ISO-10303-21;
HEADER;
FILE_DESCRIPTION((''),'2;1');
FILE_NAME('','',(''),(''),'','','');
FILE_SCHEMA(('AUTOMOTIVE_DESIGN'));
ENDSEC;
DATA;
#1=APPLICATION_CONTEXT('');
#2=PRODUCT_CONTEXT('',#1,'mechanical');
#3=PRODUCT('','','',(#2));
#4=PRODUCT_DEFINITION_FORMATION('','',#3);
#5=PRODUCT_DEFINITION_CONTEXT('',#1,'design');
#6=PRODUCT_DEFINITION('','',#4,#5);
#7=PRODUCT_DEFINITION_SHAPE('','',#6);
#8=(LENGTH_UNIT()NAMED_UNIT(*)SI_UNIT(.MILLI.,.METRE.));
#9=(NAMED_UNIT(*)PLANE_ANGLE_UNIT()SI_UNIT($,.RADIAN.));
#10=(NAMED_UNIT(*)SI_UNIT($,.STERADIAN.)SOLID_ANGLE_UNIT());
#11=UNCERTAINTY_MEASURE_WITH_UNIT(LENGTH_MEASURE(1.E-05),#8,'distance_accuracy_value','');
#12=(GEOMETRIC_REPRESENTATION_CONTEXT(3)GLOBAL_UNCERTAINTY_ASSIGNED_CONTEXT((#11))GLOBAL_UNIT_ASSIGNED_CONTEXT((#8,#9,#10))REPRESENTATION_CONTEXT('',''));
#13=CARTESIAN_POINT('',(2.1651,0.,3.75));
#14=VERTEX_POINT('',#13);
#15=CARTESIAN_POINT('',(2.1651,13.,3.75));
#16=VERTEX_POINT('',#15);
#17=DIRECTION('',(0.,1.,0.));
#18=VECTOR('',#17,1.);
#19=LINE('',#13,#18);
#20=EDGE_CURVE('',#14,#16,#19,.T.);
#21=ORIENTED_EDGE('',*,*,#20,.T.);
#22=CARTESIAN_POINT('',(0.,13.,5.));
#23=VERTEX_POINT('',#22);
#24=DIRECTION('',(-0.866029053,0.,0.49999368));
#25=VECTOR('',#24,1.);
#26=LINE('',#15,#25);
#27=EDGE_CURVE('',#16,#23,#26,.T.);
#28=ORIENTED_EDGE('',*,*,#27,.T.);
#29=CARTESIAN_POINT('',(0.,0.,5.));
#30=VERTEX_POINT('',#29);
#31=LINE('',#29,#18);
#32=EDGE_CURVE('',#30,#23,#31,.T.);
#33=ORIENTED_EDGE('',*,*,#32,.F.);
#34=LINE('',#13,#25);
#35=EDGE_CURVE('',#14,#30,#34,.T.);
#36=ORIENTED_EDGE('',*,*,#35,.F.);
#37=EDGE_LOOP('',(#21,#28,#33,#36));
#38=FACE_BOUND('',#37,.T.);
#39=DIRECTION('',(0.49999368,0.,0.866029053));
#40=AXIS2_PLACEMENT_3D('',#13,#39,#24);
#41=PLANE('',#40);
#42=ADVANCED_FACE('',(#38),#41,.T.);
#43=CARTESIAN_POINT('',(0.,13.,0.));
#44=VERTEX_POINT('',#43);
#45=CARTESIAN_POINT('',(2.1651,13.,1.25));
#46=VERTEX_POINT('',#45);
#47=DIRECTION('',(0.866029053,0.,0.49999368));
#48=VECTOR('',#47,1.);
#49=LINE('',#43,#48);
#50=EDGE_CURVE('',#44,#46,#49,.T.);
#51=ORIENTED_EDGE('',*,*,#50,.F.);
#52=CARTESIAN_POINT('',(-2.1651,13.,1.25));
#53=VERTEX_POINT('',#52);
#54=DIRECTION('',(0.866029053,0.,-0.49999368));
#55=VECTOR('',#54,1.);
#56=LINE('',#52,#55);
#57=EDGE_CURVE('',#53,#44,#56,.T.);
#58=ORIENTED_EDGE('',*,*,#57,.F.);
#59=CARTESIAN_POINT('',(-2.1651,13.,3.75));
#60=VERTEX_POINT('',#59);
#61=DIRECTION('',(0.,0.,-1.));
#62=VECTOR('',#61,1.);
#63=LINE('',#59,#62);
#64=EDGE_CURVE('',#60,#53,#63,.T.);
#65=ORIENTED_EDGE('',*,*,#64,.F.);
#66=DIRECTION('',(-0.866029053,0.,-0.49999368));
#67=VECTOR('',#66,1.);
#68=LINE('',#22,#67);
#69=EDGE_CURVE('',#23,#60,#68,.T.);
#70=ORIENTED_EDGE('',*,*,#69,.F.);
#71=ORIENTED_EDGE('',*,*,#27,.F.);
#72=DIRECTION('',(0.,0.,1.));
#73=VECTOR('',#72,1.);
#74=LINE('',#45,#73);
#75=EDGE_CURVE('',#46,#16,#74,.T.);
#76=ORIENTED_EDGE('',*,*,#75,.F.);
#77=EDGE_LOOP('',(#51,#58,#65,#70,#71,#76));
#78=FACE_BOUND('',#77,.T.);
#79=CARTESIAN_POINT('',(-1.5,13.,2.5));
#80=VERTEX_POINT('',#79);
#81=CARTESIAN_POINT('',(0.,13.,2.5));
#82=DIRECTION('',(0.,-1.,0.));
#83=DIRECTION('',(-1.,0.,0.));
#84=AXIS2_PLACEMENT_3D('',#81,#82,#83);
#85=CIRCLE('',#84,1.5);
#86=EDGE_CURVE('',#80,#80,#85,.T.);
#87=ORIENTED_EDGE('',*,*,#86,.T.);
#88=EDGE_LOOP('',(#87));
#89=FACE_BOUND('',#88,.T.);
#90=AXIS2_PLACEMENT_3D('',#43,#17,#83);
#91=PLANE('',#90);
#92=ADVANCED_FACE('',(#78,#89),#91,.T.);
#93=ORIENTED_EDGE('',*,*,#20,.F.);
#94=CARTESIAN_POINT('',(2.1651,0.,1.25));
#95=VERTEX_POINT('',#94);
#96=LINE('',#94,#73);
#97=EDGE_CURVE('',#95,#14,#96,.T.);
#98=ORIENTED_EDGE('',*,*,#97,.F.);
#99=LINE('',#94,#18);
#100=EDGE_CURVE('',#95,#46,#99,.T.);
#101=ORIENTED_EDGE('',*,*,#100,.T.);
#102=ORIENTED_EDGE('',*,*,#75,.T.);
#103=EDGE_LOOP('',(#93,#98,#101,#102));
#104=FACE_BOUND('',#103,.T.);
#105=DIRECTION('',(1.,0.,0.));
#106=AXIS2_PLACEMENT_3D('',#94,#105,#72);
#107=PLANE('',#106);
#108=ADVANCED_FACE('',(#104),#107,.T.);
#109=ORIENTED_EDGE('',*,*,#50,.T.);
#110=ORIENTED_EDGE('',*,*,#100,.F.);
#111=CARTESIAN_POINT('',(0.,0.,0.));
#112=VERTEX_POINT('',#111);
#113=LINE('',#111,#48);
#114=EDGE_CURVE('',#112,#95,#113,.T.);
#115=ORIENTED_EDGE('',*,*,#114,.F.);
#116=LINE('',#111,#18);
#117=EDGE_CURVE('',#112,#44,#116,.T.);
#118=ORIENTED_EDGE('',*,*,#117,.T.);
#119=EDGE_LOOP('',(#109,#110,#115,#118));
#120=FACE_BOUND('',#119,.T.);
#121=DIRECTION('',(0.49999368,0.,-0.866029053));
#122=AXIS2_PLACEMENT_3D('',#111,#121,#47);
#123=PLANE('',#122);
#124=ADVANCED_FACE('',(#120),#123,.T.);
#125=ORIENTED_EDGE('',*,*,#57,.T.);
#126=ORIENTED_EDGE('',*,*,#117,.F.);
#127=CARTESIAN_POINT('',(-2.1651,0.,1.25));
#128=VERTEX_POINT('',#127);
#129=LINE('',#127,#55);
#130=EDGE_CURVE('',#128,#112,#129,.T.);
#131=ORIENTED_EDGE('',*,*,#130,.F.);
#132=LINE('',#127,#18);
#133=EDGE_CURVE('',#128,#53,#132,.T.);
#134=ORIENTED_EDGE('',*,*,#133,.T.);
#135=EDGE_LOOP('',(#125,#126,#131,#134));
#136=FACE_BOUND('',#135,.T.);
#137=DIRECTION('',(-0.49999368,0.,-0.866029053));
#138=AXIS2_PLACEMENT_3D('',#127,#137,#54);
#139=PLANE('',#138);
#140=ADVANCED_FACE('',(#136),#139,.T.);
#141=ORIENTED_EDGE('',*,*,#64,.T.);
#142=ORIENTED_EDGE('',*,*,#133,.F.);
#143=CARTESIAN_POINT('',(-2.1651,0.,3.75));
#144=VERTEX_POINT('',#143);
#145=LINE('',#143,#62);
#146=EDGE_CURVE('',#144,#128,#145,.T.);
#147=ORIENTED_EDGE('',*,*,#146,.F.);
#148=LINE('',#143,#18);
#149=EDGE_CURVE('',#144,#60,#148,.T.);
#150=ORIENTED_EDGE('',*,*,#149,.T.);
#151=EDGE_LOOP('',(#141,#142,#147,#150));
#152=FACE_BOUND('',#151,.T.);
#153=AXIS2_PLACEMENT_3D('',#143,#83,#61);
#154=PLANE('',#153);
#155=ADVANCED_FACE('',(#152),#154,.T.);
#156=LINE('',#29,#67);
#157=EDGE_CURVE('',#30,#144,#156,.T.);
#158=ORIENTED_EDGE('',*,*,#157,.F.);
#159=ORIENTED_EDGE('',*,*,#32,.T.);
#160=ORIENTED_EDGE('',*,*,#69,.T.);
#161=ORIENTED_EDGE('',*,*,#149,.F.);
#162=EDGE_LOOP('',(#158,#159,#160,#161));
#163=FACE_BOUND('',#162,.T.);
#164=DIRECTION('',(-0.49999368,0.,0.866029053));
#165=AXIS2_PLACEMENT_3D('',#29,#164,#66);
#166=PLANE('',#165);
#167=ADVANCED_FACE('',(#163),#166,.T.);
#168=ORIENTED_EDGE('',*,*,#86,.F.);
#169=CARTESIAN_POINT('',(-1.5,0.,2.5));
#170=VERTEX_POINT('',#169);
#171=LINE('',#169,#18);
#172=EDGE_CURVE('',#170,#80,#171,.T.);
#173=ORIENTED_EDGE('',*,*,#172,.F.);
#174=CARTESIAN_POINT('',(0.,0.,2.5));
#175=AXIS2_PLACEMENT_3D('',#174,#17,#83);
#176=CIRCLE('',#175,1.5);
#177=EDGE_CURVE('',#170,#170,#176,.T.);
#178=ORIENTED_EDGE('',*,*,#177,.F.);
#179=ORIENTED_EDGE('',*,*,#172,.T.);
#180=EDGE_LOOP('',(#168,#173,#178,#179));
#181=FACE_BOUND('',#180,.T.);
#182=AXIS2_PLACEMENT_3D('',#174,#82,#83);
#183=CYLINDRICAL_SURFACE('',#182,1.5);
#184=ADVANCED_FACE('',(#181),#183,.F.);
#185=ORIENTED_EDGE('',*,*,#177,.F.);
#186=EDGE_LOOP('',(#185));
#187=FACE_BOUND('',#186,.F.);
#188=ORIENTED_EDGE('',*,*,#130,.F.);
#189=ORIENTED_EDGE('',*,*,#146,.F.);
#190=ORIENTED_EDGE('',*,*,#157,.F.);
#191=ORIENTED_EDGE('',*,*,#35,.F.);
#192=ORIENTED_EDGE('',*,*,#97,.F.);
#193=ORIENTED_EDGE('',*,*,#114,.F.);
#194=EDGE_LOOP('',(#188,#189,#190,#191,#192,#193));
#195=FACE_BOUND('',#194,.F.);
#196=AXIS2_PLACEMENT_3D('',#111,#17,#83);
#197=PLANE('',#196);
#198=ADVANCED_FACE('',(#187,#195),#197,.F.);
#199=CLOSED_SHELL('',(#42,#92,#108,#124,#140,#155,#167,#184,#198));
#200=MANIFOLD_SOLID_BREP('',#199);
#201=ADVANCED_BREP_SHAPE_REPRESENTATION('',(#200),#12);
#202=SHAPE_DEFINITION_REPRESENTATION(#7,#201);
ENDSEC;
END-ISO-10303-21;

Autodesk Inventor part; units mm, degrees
ref_plane "YZ Plane" through (0, 0, 0) normal (1, 0, 0) x (0, 1, 0)
ref_plane "XZ Plane" through (0, 0, 0) normal (0, 1, 0) x (-1, 0, 0)
ref_plane "XY Plane" through (0, 0, 0) normal (0, 0, 1) x (1, 0, 0)
sketch "Эскиз1" plane through (0, 0, 0) normal (0, 1, 0) x (-1, 0, 0)
  line L0 (0, 0) -> (0, 5)
  line L1 (0, 0) -> (-2.1651, 1.25)
  line L2 (-2.1651, 1.25) -> (-2.1651, 3.75)
  line L3 (-2.1651, 3.75) -> (0, 5)
  line L4 (0, 5) -> (2.1651, 3.75)
  line L5 (2.1651, 3.75) -> (2.1651, 1.25)
  line L6 (2.1651, 1.25) -> (0, 0)
  circle A0 centre (0, 2.5) radius 1.5
  dimension "d0" = 5
  dimension "d1" = 3
extrude "Выдавливание1" add sketch "Эскиз1" along normal blind 13 contours L1 L2 L3 L0 A0 | L0 A0 L4 L5 L6
thread "Резьба1" size "M3x0.5" class "6H" standard "ANSI Metric M Profile" full length
properties part number "rack_25"
